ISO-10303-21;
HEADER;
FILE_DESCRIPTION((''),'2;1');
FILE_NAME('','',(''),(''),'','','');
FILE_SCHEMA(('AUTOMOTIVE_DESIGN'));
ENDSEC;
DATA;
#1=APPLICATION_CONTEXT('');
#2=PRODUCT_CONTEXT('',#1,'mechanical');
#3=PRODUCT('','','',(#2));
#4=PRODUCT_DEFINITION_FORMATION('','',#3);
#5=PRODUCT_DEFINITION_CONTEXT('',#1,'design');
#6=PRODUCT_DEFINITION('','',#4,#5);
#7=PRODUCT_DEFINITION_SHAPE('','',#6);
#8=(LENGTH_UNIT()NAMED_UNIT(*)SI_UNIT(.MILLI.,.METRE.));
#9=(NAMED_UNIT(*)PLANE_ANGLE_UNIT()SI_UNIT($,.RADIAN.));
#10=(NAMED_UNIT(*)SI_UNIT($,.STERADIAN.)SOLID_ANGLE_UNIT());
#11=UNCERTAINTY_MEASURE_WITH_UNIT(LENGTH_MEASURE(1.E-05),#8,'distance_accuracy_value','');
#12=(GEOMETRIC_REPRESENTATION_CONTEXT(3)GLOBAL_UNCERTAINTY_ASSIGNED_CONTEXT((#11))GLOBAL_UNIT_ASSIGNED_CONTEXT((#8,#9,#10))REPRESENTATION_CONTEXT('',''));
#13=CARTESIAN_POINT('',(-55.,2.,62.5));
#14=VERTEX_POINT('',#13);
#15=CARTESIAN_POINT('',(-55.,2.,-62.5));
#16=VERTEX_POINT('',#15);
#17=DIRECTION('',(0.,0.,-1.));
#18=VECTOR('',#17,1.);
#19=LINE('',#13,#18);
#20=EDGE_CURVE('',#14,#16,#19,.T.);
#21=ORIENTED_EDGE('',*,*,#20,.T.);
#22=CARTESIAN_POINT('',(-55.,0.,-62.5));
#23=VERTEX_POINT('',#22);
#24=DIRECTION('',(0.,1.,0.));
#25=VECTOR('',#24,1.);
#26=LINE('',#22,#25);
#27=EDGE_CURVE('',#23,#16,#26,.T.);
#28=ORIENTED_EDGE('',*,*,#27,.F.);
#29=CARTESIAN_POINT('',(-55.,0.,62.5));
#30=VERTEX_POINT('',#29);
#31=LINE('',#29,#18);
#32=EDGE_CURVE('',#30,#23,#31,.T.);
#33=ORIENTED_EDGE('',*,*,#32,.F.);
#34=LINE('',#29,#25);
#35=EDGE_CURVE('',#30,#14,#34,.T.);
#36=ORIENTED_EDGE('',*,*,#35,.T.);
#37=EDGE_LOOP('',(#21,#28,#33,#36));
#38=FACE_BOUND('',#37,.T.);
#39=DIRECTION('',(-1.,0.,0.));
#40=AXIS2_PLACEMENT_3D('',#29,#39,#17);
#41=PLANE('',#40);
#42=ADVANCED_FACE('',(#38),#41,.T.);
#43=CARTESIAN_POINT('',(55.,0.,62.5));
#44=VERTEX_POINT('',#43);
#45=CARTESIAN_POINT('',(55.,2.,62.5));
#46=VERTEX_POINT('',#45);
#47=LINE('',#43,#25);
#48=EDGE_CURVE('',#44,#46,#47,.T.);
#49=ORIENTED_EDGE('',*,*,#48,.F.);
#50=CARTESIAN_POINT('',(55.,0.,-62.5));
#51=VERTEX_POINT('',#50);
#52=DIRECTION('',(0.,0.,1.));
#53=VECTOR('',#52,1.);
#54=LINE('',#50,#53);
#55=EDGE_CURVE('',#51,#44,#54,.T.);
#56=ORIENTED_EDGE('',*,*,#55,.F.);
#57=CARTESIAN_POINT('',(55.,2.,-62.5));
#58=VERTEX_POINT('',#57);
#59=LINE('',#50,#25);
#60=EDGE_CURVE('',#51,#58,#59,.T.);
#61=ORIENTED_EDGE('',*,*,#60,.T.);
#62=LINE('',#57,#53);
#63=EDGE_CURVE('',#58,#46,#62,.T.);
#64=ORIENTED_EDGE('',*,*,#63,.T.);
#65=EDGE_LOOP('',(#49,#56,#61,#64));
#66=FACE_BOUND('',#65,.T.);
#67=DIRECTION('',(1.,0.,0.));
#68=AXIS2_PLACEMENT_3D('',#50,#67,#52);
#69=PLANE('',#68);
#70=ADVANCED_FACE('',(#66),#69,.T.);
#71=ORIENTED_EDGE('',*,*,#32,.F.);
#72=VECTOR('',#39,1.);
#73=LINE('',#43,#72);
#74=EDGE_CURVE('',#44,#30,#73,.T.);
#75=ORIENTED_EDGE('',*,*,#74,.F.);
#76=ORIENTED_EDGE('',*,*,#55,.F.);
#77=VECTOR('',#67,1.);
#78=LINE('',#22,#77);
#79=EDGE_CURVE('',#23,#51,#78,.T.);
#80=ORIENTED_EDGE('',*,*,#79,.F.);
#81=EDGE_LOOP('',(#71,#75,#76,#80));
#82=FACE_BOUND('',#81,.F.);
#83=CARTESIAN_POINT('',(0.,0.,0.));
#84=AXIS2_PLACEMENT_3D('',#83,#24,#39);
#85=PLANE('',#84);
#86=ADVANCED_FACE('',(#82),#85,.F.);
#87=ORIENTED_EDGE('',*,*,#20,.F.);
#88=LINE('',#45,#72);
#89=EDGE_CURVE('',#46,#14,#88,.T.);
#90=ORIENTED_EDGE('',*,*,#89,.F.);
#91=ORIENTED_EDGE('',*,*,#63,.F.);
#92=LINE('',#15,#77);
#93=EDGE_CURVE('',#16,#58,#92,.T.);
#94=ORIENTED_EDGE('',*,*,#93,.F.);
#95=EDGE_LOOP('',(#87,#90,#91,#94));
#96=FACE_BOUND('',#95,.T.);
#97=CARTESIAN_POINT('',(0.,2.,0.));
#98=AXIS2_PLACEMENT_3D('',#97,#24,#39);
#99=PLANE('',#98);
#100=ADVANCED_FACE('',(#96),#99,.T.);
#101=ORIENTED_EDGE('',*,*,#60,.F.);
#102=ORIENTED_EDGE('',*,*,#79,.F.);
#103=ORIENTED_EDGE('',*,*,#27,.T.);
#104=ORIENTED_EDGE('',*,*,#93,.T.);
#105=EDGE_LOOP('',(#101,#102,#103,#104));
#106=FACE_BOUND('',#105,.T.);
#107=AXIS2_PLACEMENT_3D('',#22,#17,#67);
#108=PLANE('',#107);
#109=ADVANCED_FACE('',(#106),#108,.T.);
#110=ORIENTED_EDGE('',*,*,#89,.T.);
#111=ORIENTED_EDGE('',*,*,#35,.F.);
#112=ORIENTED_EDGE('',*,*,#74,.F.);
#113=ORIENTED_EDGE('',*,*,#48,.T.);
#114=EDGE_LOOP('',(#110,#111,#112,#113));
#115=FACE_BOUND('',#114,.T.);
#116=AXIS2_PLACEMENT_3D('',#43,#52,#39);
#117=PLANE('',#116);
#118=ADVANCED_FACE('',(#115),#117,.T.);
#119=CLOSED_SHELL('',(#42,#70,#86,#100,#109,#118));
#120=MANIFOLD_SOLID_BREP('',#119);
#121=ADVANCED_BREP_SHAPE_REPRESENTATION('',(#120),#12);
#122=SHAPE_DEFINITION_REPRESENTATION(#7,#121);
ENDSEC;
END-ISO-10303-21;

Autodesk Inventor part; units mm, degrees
ref_plane "YZ Plane" through (0, 0, 0) normal (1, 0, 0) x (0, 1, 0)
ref_plane "XZ Plane" through (0, 0, 0) normal (0, 1, 0) x (-1, 0, 0)
ref_plane "XY Plane" through (0, 0, 0) normal (0, 0, 1) x (1, 0, 0)
sketch "Sketch1" plane through (0, 0, 0) normal (0, 1, 0) x (-1, 0, 0)
  line L0 (-55, 62.5) -> (55, 62.5)
  line L1 (55, 62.5) -> (55, -62.5)
  line L2 (55, -62.5) -> (-55, -62.5)
  line L3 (-55, -62.5) -> (-55, 62.5)
  line L4 (-55, 62.5) -> (55, -62.5) construction
  line L5 (55, 62.5) -> (-55, -62.5) construction
  point P0 (0, 0)
  dimension "d0" = 125
  dimension "d1" = 110
extrude "Extrusion1" add sketch "Sketch1" along normal blind 2
properties part number "tatakan"
